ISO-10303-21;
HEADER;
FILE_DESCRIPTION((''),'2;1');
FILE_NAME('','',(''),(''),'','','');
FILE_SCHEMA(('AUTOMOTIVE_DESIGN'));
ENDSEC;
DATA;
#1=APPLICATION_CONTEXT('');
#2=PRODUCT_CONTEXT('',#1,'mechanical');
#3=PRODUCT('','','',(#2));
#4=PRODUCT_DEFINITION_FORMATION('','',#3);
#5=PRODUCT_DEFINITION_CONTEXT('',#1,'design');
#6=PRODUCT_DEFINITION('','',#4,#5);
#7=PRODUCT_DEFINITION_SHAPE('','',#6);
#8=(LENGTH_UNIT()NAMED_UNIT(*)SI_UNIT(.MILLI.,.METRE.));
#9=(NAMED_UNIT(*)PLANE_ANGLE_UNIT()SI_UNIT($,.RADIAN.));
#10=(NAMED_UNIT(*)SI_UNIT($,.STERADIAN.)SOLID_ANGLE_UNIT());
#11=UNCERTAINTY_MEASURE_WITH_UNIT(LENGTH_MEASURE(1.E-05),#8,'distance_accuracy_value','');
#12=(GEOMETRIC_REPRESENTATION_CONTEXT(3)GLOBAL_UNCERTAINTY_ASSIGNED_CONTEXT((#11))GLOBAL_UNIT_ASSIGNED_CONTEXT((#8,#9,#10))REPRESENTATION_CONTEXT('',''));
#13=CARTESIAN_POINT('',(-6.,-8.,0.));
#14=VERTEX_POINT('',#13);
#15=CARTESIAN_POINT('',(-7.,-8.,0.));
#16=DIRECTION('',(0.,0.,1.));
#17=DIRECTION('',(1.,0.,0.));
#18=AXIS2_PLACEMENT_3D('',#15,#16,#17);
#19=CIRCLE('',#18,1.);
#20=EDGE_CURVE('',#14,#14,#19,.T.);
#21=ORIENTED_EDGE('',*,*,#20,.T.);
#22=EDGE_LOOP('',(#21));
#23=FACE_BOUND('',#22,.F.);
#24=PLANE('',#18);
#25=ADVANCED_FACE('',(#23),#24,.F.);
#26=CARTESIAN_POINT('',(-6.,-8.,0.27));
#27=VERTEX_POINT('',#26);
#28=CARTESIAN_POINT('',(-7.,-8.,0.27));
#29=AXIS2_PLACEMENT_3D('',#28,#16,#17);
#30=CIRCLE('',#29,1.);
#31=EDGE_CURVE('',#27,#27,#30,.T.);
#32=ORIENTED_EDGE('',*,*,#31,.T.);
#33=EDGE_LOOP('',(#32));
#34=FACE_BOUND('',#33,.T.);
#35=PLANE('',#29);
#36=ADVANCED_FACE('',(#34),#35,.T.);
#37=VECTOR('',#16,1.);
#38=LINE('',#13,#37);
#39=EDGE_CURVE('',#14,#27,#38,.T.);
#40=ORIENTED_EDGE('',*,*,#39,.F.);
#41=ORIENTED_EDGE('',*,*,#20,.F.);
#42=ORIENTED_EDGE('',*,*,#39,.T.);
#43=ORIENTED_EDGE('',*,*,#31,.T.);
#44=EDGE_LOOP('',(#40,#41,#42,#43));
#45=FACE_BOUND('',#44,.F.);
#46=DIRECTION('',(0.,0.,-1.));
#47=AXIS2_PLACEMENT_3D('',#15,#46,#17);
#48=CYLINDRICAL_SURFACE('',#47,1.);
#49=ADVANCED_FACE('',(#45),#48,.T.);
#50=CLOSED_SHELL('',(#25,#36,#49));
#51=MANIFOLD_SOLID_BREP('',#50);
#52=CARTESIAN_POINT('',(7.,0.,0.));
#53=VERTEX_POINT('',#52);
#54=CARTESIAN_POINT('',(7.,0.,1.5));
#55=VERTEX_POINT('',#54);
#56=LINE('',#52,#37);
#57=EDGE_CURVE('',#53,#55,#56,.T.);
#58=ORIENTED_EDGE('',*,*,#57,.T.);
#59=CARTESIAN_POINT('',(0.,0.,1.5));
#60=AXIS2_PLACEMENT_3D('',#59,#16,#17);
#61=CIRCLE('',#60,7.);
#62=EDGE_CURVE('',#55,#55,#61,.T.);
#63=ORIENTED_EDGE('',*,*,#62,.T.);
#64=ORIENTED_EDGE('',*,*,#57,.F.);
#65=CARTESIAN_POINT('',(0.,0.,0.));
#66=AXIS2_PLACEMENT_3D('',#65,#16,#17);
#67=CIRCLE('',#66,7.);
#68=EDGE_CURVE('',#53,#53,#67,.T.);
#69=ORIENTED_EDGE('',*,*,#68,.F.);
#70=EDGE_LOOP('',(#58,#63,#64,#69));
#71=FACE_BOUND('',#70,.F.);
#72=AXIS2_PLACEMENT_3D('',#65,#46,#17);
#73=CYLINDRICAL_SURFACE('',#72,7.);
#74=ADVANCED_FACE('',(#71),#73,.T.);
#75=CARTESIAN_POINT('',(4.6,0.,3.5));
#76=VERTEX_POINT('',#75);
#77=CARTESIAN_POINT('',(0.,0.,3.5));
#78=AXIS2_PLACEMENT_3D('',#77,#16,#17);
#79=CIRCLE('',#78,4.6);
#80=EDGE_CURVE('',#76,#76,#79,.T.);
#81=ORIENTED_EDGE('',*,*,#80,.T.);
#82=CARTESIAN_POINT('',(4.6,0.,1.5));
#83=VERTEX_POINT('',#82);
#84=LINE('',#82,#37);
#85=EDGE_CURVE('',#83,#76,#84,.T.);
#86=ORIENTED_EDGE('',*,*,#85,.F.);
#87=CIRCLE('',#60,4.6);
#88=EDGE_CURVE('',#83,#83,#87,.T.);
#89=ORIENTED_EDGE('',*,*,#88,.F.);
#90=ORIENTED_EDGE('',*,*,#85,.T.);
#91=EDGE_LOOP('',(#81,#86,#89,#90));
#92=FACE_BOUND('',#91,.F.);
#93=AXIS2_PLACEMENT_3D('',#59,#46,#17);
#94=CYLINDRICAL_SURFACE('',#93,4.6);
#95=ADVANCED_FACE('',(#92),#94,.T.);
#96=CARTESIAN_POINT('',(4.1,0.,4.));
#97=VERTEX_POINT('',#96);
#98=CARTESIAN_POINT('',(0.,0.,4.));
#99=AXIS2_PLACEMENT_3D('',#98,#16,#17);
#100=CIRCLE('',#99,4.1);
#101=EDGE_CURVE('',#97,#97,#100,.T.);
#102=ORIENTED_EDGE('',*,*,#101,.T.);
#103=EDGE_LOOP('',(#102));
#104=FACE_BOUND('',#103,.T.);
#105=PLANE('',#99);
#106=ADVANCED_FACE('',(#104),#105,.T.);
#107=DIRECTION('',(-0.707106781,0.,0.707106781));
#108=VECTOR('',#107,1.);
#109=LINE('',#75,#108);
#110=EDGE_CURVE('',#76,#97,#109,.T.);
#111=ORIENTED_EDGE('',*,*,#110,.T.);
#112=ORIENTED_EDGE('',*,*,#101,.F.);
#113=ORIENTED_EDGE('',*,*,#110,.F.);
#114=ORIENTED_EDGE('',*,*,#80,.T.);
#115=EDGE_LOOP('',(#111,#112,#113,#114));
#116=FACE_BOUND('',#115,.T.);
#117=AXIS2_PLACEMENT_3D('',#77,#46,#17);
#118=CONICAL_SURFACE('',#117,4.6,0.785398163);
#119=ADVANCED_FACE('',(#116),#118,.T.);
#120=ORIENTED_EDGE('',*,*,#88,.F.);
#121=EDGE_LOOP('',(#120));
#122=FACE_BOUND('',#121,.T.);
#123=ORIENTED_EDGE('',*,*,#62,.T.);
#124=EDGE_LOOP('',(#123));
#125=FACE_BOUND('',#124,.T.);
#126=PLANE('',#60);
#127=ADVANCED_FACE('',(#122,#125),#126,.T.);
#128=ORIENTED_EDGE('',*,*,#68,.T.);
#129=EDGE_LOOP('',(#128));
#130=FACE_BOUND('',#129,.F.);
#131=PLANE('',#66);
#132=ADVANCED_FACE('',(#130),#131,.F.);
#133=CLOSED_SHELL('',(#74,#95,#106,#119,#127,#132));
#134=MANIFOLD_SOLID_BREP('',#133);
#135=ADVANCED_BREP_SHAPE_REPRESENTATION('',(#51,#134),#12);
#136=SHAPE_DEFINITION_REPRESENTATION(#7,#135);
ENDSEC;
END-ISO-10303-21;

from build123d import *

# Parameters (mm, degrees)
SKETCH_R     = 7
PAD_DEPTH    = 1.5
SKETCH001_R  = 4.6
PAD001_DEPTH = 2.5
CHAMFER_SIZE = 0.5
SKETCH002_R  = 1
PAD002_DEPTH = 0.27


with BuildPart() as chamfer_body:
    # Sketch → Pad (new body)
    with BuildSketch(Plane.XY):
        Circle(SKETCH_R)
    extrude(amount=PAD_DEPTH)

    # Sketch001 → Pad001 (new body)
    with BuildSketch(Plane.XY.offset(1.5)):
        Circle(SKETCH001_R)
    extrude(amount=PAD001_DEPTH)

    # Chamfer
    chamfer_edges = [chamfer_body.edges().sort_by_distance(p)[0] for p in [
        (-4.6, 0, 4),
    ]]
    chamfer(chamfer_edges, length=CHAMFER_SIZE)


with BuildPart() as pad002:
    # Sketch002 → Pad002 (new body)
    with BuildSketch(Plane.XY):
        with Locations((-7, -8)):
            Circle(SKETCH002_R)
    extrude(amount=PAD002_DEPTH)


solid = Compound([chamfer_body.part, pad002.part])
